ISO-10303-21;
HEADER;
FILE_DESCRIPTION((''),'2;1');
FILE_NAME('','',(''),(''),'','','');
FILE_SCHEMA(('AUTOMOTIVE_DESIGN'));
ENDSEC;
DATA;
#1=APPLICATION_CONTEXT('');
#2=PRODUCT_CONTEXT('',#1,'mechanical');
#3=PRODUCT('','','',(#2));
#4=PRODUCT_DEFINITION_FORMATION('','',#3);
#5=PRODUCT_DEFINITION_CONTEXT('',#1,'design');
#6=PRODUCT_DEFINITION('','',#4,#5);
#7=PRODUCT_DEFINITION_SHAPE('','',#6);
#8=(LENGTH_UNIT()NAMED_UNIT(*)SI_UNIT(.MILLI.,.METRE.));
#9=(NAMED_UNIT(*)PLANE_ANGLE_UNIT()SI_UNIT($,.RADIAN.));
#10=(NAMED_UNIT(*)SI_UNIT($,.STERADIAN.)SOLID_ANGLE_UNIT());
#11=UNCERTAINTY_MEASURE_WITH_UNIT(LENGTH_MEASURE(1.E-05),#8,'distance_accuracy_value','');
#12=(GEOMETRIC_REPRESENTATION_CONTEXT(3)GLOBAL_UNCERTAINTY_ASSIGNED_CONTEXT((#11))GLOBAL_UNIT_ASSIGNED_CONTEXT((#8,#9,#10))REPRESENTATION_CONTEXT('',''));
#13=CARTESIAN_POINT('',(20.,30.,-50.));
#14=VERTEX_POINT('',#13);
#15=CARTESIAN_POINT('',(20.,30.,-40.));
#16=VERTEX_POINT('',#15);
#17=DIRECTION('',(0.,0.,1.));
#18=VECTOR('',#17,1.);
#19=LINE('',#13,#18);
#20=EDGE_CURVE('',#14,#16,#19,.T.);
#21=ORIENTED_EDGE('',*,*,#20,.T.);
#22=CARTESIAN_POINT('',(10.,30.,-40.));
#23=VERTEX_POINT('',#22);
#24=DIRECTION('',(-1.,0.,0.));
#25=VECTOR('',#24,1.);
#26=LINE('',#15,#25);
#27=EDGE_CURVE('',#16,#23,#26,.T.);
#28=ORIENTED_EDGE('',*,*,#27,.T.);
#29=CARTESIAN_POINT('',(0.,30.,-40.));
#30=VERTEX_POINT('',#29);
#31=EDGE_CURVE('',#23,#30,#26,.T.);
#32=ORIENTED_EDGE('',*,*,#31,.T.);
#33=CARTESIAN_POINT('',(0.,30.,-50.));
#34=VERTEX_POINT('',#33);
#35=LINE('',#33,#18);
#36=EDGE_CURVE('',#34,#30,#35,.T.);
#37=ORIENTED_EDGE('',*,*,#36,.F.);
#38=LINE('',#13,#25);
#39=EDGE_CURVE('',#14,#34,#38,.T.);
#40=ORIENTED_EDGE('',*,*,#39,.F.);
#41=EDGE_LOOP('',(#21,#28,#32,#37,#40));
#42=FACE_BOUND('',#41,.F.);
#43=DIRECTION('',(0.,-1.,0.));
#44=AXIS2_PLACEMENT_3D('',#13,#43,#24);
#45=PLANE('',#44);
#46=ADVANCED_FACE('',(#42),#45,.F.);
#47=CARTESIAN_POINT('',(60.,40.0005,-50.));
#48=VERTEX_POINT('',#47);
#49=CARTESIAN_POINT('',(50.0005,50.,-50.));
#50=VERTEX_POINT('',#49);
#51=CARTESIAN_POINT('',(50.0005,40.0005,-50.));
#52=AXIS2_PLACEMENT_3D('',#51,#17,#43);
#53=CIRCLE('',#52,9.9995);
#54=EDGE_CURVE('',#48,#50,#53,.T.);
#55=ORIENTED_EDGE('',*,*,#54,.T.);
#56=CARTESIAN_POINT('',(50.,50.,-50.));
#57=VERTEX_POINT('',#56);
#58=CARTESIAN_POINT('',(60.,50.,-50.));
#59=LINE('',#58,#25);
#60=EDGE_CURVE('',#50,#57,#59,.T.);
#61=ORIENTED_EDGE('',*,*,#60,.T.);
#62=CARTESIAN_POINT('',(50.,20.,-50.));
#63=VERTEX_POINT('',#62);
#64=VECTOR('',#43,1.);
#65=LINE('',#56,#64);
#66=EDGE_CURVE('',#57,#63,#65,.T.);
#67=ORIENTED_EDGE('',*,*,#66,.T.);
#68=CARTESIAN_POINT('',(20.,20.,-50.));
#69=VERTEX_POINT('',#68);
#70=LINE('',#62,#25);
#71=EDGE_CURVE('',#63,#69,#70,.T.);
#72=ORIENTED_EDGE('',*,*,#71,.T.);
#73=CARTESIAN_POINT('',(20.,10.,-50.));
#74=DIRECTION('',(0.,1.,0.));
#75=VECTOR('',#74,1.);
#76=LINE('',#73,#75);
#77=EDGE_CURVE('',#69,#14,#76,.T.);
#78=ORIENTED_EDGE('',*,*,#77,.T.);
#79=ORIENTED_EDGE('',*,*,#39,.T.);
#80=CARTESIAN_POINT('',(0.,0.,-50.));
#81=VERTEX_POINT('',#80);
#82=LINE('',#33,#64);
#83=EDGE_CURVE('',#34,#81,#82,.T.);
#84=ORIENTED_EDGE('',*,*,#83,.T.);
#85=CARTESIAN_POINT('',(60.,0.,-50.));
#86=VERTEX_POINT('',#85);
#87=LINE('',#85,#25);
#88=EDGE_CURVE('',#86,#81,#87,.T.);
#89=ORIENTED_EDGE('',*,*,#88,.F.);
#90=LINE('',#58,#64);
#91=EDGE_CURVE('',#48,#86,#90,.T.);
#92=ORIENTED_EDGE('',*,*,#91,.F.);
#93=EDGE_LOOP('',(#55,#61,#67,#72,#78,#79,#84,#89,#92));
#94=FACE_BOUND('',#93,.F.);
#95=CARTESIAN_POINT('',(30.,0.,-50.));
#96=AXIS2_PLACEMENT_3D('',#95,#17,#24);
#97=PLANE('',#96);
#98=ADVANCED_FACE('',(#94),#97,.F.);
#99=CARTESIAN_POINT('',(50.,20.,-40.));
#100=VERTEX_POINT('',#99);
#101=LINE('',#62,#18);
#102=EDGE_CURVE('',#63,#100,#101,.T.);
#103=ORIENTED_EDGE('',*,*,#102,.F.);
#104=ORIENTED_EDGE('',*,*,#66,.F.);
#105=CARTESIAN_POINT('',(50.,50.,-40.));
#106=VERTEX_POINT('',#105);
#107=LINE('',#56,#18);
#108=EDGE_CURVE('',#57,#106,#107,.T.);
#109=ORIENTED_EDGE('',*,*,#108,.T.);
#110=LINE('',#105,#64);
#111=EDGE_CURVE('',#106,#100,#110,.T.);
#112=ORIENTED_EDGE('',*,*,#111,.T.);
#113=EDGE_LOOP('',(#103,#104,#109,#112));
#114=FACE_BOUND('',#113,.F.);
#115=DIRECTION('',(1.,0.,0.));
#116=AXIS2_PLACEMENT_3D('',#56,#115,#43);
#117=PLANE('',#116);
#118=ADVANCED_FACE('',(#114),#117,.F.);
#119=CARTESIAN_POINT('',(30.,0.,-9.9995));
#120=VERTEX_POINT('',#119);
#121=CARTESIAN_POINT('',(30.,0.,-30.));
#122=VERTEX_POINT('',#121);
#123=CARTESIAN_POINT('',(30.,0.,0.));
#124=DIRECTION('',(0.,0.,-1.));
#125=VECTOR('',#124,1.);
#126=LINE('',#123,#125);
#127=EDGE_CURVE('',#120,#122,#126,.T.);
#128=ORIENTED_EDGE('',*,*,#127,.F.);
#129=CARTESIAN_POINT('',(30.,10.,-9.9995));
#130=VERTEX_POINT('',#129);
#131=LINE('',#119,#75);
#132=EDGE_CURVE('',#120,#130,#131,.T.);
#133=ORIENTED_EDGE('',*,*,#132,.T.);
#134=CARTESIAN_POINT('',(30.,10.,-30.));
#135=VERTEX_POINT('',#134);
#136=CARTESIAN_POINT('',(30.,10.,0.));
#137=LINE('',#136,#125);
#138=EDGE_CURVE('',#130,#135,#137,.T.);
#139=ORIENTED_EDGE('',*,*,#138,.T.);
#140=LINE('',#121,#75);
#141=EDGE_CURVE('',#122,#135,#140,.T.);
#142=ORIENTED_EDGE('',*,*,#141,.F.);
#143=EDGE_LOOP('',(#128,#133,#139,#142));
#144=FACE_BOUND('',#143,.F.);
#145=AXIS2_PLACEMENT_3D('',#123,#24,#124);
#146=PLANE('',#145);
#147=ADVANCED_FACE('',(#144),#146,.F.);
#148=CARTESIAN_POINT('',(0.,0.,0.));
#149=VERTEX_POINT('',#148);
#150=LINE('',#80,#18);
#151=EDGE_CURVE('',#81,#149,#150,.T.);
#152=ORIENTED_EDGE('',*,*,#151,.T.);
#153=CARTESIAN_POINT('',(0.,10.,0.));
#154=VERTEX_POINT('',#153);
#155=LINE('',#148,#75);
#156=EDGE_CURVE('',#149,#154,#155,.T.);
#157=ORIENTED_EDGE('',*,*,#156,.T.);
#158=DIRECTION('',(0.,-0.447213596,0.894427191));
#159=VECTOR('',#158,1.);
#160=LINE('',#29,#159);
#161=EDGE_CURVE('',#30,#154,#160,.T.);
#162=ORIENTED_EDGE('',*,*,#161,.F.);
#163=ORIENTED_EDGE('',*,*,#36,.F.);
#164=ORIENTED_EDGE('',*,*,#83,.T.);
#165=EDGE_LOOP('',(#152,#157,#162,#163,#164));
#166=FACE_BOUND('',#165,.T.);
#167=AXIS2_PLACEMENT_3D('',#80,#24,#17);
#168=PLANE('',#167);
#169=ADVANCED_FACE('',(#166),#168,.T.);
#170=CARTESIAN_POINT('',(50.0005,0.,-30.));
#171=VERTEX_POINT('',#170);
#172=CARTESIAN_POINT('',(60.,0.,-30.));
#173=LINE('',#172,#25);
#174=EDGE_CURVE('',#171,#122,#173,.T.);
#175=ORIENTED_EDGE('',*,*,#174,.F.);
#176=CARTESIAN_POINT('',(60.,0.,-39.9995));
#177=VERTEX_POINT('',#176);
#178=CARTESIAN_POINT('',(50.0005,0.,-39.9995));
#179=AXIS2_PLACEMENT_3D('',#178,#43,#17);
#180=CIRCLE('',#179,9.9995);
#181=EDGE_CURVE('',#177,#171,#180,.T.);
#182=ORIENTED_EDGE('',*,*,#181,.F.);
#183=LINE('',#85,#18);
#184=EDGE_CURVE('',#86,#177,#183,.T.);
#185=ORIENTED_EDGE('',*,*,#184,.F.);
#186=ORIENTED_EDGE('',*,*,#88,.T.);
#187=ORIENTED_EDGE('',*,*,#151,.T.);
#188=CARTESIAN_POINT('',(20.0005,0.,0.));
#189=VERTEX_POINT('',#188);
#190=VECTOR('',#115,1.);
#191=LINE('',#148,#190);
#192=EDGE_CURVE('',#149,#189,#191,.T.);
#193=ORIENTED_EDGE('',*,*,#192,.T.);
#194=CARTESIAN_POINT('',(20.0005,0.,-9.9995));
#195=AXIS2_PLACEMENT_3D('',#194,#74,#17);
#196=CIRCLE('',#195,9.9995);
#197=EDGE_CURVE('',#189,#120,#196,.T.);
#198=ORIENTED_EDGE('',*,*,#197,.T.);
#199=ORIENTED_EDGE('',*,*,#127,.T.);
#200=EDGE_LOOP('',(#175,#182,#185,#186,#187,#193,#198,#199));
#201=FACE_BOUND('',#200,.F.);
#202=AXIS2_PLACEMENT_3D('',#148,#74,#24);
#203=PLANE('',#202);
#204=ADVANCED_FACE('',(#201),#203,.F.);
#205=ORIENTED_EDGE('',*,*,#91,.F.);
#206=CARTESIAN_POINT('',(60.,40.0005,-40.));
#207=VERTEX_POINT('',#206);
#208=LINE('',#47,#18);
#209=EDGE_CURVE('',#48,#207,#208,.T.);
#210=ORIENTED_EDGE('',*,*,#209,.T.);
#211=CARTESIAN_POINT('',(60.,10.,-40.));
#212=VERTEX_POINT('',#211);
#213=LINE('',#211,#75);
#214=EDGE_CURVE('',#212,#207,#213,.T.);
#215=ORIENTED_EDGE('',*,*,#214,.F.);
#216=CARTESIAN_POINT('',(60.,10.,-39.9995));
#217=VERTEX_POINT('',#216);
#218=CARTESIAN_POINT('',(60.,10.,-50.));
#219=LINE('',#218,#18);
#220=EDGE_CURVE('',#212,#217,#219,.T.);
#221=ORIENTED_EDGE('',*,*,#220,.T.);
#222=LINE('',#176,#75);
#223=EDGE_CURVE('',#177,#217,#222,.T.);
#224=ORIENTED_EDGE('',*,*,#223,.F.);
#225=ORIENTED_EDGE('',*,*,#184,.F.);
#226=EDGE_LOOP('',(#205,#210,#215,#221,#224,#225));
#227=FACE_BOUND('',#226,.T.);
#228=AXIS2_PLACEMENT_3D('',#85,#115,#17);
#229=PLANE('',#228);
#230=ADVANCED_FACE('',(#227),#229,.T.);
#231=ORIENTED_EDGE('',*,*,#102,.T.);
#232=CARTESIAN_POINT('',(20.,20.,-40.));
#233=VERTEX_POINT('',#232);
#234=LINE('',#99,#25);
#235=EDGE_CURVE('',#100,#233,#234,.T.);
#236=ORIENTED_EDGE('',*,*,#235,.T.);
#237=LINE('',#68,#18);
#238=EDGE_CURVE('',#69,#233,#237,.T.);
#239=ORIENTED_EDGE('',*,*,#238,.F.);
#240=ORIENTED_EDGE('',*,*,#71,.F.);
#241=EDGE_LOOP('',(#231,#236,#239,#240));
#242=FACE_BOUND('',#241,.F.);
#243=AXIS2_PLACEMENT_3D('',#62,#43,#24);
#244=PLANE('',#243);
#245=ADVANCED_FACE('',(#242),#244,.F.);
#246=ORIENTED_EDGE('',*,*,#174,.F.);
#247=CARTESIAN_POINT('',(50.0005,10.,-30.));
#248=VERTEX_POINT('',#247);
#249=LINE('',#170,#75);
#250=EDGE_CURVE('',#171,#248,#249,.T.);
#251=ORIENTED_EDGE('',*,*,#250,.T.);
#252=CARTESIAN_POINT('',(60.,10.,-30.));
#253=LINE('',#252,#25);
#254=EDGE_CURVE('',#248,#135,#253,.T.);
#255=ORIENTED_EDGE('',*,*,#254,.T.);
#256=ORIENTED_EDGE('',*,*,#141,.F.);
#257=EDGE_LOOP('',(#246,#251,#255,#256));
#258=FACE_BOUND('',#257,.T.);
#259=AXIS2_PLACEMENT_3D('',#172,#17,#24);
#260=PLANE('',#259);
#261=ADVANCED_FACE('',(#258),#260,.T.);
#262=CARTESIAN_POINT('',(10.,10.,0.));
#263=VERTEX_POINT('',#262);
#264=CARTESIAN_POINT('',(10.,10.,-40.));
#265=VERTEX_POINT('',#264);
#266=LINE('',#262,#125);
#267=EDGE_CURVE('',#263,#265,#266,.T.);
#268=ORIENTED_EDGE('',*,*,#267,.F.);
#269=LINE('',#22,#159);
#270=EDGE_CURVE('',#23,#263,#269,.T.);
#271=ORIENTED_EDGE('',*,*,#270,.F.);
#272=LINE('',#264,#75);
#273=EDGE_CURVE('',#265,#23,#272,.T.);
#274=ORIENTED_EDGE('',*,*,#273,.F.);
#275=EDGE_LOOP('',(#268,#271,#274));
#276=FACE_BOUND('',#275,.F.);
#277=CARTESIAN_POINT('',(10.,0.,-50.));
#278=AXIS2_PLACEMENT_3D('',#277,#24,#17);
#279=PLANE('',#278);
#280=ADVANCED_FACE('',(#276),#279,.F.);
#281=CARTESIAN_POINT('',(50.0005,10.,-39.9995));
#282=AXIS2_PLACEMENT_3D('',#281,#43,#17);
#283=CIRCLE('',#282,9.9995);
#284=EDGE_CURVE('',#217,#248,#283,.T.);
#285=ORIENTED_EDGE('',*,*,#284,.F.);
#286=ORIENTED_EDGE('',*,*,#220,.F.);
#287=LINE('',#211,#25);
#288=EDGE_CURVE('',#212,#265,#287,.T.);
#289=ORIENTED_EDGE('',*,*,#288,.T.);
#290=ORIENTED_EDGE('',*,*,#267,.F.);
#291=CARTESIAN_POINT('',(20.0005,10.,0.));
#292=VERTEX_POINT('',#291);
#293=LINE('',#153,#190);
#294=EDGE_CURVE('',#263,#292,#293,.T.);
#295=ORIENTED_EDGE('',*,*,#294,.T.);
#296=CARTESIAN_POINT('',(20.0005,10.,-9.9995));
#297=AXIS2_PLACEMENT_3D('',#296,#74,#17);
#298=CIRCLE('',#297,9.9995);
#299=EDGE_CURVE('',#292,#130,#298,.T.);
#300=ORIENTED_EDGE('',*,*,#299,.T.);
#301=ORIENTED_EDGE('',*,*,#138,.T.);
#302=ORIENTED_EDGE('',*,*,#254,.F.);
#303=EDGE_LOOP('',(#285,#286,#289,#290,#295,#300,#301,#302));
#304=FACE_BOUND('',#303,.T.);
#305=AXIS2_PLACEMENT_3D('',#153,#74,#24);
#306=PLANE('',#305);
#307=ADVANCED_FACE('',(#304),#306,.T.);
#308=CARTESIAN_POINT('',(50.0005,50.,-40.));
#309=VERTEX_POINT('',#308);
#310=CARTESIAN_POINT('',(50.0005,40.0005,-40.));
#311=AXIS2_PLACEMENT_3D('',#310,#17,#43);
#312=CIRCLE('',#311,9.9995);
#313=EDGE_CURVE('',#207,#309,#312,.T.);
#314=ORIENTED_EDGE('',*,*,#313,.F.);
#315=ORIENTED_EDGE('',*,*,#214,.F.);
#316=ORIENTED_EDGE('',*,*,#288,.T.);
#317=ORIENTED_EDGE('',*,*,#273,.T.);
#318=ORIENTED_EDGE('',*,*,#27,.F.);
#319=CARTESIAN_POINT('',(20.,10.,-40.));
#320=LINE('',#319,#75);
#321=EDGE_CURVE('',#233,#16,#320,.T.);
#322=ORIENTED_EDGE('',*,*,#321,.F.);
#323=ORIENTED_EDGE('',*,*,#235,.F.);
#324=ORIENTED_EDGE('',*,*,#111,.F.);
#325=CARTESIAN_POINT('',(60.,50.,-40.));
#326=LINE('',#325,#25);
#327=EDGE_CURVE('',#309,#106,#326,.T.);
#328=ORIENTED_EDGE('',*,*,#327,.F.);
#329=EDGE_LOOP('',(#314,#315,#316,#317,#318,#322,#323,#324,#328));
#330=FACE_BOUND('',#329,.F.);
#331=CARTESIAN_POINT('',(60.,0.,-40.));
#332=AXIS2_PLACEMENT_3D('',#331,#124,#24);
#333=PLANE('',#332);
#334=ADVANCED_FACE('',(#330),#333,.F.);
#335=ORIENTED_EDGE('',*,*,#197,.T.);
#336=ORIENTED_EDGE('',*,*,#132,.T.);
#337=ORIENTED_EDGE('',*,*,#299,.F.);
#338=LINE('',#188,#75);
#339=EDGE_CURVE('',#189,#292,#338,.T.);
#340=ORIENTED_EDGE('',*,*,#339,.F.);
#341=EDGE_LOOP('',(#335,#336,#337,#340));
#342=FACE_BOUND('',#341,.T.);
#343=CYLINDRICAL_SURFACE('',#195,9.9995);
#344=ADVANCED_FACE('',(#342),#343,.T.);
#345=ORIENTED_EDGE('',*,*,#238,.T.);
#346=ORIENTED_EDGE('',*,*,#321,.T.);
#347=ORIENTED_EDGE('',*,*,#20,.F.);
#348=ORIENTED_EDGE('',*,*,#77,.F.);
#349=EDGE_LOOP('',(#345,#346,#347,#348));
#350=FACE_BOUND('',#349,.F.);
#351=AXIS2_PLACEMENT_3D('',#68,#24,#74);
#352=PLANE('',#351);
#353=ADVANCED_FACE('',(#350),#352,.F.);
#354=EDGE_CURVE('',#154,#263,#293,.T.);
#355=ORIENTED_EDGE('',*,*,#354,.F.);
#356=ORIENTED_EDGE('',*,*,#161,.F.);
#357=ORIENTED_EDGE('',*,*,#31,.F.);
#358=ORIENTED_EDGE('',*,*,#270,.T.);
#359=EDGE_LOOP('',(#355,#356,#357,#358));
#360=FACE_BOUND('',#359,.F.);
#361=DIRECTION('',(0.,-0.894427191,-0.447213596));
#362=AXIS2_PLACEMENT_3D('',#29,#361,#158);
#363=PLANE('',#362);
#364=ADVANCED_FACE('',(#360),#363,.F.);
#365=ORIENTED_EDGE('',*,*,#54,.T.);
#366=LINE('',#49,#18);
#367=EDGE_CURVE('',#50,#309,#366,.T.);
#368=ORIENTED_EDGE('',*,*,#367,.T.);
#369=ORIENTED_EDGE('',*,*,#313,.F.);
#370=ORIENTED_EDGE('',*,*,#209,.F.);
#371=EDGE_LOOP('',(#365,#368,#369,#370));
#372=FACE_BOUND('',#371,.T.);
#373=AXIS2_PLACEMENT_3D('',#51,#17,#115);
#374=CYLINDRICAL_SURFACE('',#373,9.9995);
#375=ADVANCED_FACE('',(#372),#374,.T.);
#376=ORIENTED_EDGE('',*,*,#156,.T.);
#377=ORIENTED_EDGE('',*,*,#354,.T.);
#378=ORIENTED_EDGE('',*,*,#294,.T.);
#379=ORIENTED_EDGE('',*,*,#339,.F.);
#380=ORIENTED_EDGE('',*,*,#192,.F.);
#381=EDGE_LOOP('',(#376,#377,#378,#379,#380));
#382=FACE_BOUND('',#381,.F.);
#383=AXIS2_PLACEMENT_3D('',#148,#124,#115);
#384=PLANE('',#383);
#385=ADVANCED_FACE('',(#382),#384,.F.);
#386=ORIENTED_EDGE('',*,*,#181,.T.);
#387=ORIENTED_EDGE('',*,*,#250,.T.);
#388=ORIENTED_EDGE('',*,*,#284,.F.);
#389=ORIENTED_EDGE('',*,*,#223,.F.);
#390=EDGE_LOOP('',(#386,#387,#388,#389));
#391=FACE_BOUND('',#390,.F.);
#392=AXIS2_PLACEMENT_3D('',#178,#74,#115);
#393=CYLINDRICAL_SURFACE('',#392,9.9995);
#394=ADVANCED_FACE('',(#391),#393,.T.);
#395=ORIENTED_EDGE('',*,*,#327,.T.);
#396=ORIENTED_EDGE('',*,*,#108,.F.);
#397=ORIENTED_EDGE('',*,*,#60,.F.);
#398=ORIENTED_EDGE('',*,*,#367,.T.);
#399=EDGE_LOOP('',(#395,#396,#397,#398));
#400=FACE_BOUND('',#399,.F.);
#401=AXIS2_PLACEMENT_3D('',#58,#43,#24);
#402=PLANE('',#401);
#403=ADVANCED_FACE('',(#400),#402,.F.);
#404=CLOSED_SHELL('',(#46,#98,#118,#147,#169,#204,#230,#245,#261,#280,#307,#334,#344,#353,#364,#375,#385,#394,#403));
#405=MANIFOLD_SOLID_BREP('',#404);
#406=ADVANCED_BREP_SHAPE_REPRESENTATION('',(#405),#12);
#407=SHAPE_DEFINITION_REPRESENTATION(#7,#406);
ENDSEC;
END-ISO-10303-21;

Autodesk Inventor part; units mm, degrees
ref_plane "YZ Plane" through (0, 0, 0) normal (1, 0, 0) x (0, 1, 0)
ref_plane "XZ Plane" through (0, 0, 0) normal (0, 1, 0) x (-1, 0, 0)
ref_plane "XY Plane" through (0, 0, 0) normal (0, 0, 1) x (1, 0, 0)
sketch "草圖1" plane through (0, 0, 0) normal (0, 1, 0) x (-1, 0, 0)
  line L0 (0, 0) -> (-30, 0)
  line L1 (-30, 0) -> (-30, -50)
  line L2 (-30, -50) -> (0, -50)
  line L3 (0, -50) -> (0, 0)
  line L4 (-30, -50) -> (-60, -50)
  line L5 (-60, -50) -> (-60, -30)
  line L6 (-60, -30) -> (-30, -30)
  line L7 (-30, -30) -> (-30, -50)
  dimension "d0" = 30
  dimension "d1" = 20
  dimension "d2" = 30
  dimension "d6" = 30
extrude "擠出1" add sketch "草圖1" along normal blind 10
sketch "草圖2" plane through (60, 0, -50) normal (0, 0, -1) x (-1, 0, 0)
  line L0 (60, 0) -> (60, 10) projected
  line L1 (60, 10) -> (40, 10)
  line L2 (40, 10) -> (40, 30)
  line L3 (40, 30) -> (60, 30)
  line L4 (60, 30) -> (60, 10)
  line L5 (40, 10) -> (10, 10)
  line L6 (10, 10) -> (10, 20)
  line L7 (10, 20) -> (40, 20)
  line L8 (40, 20) -> (40, 10)
  line L9 (10, 10) -> (0, 10)
  line L10 (0, 10) -> (0, 50)
  line L11 (0, 50) -> (10, 50)
  line L12 (10, 50) -> (10, 10)
  dimension "d7" = 10
  dimension "d8" = 30
  dimension "d9" = 20
  dimension "d10" = 20
  dimension "d11" = 10
  dimension "d12" = 40
extrude "擠出2" add sketch "草圖2" against normal blind 10
sketch "草圖3" plane through (0, 0, -50) normal (-1, 0, 0) x (0, 0, 1)
  line L0 (0, 30) -> (10, 30) projected
  line L1 (50, 10) -> (20, 10) projected
  line L2 (10, 30) -> (50, 10)
  line L3 (50, 10) -> (10, 10)
  line L4 (10, 20) -> (10, 30) projected
  line L5 (10, 10) -> (10, 30)
  point P0 (50, 0)
extrude "擠出3" add sketch "草圖3" against normal blind 10
fillet "圓角1" radius 10 3 edges at (60, 50, -45) (60, 5, -30) (30, 5, 0)
properties part number "5"
